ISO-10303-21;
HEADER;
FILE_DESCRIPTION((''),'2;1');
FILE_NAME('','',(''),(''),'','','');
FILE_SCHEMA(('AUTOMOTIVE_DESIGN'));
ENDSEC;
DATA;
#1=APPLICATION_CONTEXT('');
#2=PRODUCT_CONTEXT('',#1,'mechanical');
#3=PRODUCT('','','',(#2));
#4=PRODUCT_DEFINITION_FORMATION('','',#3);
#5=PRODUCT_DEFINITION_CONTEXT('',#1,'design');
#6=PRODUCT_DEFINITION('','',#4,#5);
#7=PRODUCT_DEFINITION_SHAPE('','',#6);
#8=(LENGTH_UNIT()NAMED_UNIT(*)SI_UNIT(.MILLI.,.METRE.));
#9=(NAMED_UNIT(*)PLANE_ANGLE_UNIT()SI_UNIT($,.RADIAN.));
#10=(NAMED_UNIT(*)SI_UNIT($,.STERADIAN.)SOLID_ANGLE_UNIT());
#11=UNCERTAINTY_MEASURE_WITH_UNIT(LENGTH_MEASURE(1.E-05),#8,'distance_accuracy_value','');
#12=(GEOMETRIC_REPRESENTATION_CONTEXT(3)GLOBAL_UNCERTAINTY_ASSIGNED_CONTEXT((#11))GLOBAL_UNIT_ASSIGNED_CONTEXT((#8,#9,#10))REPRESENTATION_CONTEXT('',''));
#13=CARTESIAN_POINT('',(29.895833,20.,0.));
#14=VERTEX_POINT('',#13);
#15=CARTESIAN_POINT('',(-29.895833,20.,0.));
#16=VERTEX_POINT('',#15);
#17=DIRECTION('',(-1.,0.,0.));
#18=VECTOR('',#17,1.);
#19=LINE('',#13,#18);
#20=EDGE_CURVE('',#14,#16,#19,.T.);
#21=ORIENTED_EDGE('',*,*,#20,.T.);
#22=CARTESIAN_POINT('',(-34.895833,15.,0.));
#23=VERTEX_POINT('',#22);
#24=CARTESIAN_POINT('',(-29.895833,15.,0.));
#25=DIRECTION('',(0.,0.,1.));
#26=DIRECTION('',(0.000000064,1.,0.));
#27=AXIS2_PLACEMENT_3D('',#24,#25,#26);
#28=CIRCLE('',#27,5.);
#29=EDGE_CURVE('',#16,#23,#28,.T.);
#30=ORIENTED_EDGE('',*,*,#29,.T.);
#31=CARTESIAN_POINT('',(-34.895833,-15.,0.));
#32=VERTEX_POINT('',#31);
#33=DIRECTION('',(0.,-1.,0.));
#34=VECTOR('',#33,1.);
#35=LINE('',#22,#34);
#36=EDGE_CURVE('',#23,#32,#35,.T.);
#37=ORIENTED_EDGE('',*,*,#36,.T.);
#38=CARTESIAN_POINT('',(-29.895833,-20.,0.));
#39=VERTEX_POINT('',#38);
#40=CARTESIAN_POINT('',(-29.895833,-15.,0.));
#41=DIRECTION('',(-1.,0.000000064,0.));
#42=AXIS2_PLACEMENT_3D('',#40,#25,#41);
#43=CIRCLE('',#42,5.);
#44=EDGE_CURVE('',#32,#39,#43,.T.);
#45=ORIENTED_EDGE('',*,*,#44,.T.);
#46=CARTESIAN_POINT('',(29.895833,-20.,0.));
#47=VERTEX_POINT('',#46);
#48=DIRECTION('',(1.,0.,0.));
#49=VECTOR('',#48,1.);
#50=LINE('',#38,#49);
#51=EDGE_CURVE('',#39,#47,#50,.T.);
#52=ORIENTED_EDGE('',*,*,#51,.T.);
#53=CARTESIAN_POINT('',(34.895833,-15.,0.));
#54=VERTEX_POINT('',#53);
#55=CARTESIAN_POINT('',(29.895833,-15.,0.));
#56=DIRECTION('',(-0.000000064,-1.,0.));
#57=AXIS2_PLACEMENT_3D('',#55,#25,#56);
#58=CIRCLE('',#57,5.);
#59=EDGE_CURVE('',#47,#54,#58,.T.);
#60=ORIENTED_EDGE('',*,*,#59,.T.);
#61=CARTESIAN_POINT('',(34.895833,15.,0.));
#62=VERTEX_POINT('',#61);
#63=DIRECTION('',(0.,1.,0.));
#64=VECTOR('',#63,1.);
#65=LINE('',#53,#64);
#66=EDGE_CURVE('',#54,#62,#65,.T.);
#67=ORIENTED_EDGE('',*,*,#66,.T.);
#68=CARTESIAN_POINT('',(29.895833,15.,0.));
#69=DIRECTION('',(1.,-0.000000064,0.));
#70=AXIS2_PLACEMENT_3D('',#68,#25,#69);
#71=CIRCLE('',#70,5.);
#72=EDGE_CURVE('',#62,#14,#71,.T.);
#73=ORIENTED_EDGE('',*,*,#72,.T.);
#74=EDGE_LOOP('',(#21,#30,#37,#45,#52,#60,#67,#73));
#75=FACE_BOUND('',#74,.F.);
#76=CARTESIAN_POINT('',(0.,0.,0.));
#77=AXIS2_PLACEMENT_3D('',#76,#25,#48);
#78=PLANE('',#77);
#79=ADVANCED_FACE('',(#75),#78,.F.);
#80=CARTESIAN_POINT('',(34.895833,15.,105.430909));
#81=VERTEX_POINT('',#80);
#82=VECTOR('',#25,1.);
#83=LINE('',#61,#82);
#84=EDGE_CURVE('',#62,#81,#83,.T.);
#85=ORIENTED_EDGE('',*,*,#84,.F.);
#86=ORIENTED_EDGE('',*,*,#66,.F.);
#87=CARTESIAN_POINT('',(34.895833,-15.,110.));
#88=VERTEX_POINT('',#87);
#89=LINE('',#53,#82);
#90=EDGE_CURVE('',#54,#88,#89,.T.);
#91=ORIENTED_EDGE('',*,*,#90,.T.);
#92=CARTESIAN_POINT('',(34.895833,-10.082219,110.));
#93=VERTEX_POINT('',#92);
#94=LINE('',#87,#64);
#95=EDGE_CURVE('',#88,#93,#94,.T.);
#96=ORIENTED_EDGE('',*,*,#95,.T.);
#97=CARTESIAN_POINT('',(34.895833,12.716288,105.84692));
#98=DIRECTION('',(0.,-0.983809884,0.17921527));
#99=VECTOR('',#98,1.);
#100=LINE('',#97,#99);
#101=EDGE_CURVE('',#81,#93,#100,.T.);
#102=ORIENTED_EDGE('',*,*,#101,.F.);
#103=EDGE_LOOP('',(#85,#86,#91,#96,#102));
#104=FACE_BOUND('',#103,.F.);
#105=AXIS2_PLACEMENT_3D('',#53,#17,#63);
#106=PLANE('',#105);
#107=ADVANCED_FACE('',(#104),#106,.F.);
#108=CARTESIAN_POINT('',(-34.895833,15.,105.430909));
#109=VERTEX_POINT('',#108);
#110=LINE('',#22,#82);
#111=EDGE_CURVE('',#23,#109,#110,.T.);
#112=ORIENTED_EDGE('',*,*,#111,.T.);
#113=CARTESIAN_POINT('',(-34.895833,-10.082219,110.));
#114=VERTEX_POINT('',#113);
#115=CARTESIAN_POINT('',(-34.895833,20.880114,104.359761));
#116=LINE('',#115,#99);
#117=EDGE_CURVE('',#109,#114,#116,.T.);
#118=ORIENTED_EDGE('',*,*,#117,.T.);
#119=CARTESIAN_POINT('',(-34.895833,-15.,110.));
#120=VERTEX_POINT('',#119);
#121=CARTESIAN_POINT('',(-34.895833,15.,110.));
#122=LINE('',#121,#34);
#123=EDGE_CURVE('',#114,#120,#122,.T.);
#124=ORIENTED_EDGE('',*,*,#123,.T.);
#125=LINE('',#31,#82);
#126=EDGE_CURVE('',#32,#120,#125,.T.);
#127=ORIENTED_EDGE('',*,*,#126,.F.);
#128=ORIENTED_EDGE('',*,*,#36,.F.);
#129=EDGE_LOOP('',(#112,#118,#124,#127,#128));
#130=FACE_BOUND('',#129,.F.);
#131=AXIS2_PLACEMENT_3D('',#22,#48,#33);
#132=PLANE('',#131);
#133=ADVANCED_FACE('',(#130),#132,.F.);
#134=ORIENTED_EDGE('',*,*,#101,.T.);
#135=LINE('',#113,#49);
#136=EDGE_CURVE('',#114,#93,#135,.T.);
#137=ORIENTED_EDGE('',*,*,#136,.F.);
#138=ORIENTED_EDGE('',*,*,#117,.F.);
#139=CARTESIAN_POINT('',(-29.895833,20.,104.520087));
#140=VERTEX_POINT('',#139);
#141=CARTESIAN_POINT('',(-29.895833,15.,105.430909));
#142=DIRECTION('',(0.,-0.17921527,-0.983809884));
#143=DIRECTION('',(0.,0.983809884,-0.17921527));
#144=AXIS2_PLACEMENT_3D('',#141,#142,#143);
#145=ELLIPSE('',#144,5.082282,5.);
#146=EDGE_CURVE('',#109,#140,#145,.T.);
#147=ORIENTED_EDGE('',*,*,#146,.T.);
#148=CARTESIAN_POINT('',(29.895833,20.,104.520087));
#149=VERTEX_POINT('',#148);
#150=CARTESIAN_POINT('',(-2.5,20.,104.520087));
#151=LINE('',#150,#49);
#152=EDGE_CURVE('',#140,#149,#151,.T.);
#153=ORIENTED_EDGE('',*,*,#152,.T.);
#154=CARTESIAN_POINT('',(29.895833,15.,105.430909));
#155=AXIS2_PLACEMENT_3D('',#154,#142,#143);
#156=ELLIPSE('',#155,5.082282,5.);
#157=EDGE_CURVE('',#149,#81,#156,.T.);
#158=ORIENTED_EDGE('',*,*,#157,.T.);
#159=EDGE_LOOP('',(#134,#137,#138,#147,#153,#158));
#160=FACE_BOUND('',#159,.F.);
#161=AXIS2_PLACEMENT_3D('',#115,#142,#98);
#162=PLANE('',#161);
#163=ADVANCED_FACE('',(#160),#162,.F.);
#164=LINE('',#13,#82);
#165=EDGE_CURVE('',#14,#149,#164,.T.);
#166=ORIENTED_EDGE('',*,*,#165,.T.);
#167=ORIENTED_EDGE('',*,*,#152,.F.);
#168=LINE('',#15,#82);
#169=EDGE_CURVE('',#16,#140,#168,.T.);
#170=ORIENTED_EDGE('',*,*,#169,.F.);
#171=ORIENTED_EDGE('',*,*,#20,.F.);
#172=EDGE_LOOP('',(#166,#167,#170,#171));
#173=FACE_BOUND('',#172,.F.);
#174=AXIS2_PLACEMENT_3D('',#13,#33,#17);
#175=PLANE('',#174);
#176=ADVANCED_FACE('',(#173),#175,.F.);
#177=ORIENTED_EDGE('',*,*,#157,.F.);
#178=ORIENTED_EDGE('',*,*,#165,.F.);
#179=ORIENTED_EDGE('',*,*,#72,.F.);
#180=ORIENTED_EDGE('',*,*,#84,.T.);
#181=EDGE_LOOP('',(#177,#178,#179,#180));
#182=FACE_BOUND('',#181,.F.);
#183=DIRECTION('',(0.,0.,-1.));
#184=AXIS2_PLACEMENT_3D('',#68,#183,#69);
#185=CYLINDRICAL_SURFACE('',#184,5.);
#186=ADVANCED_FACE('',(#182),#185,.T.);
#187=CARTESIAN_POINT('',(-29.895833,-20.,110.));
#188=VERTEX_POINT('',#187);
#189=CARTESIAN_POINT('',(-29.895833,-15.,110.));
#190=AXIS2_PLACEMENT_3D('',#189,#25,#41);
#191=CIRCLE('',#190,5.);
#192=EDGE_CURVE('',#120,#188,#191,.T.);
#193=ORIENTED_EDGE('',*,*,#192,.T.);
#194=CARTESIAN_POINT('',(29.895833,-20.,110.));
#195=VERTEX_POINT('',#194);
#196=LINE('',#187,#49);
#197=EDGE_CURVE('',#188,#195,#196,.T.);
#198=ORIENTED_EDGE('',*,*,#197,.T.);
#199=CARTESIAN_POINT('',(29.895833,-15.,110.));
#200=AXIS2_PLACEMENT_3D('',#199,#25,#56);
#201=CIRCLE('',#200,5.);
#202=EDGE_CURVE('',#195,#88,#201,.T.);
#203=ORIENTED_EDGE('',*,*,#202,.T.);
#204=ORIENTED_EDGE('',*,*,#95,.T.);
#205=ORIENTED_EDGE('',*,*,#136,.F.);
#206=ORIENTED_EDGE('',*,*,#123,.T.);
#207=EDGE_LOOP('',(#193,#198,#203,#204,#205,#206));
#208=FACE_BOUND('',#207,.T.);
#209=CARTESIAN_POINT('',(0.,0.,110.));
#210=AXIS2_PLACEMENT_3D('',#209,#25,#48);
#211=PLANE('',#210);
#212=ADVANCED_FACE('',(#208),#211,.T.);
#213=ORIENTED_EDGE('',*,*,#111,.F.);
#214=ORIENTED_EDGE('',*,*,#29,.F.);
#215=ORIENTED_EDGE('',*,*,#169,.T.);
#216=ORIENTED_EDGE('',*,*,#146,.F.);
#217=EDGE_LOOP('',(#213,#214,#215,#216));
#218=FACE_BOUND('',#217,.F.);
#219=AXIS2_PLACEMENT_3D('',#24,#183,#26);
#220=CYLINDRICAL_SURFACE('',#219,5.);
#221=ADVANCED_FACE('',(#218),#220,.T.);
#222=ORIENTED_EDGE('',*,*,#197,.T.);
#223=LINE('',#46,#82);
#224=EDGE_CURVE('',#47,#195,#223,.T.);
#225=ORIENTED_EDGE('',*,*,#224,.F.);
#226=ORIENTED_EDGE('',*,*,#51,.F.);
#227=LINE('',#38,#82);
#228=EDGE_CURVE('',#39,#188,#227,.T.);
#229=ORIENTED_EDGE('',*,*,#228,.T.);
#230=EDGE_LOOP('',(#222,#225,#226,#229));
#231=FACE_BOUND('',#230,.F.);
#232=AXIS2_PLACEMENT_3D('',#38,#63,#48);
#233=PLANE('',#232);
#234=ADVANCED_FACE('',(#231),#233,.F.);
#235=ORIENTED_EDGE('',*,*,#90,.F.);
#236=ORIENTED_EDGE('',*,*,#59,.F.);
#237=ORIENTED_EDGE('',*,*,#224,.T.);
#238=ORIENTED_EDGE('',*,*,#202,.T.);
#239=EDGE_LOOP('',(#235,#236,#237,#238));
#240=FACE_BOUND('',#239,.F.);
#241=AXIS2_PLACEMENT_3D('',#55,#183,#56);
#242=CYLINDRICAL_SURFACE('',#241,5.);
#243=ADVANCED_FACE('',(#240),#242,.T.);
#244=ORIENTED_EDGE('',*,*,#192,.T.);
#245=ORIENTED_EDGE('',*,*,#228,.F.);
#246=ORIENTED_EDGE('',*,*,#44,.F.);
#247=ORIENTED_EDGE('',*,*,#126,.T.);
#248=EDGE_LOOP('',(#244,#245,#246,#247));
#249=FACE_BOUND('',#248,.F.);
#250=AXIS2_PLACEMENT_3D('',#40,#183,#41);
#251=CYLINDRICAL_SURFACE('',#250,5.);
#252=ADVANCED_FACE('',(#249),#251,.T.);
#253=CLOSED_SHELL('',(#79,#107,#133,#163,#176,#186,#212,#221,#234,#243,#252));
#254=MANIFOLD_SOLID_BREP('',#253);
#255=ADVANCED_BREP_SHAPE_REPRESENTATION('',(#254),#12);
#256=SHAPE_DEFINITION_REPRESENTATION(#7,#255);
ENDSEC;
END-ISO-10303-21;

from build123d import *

# Parameters (mm, degrees)
F1_DEPTH = 110
F3_DEPTH = 69.792666


with BuildPart() as f1:
    # F0 (on Top) → F1 (new body)
    with BuildSketch(Plane.XY):
        with BuildLine():
            ThreePointArc((-34.895833, -15), (-33.431367, -18.535534), (-29.895833, -20))
            Line((-29.895833, -20), (29.895833, -20))
            ThreePointArc((29.895833, -20), (33.431367, -18.535534), (34.895833, -15))
            Line((34.895833, -15), (34.895833, 15))
            ThreePointArc((34.895833, 15), (33.431367, 18.535534), (29.895833, 20))
            Line((29.895833, 20), (-29.895833, 20))
            ThreePointArc((-29.895833, 20), (-33.431367, 18.535534), (-34.895833, 15))
            Line((-34.895833, 15), (-34.895833, -15))
        make_face()
    extrude(amount=F1_DEPTH)

    # F2 (on face) → F3 (cut, through all)
    with BuildSketch(Plane(origin=(-34.895833, 0, 0), x_dir=(0, -1, 0), z_dir=(-1, 0, 0))):
        Polygon((-20.880114, 110), (-20.880114, 104.359761), (10.082219, 110), align=None)
    extrude(amount=-F3_DEPTH, mode=Mode.SUBTRACT)


solid = f1.part
